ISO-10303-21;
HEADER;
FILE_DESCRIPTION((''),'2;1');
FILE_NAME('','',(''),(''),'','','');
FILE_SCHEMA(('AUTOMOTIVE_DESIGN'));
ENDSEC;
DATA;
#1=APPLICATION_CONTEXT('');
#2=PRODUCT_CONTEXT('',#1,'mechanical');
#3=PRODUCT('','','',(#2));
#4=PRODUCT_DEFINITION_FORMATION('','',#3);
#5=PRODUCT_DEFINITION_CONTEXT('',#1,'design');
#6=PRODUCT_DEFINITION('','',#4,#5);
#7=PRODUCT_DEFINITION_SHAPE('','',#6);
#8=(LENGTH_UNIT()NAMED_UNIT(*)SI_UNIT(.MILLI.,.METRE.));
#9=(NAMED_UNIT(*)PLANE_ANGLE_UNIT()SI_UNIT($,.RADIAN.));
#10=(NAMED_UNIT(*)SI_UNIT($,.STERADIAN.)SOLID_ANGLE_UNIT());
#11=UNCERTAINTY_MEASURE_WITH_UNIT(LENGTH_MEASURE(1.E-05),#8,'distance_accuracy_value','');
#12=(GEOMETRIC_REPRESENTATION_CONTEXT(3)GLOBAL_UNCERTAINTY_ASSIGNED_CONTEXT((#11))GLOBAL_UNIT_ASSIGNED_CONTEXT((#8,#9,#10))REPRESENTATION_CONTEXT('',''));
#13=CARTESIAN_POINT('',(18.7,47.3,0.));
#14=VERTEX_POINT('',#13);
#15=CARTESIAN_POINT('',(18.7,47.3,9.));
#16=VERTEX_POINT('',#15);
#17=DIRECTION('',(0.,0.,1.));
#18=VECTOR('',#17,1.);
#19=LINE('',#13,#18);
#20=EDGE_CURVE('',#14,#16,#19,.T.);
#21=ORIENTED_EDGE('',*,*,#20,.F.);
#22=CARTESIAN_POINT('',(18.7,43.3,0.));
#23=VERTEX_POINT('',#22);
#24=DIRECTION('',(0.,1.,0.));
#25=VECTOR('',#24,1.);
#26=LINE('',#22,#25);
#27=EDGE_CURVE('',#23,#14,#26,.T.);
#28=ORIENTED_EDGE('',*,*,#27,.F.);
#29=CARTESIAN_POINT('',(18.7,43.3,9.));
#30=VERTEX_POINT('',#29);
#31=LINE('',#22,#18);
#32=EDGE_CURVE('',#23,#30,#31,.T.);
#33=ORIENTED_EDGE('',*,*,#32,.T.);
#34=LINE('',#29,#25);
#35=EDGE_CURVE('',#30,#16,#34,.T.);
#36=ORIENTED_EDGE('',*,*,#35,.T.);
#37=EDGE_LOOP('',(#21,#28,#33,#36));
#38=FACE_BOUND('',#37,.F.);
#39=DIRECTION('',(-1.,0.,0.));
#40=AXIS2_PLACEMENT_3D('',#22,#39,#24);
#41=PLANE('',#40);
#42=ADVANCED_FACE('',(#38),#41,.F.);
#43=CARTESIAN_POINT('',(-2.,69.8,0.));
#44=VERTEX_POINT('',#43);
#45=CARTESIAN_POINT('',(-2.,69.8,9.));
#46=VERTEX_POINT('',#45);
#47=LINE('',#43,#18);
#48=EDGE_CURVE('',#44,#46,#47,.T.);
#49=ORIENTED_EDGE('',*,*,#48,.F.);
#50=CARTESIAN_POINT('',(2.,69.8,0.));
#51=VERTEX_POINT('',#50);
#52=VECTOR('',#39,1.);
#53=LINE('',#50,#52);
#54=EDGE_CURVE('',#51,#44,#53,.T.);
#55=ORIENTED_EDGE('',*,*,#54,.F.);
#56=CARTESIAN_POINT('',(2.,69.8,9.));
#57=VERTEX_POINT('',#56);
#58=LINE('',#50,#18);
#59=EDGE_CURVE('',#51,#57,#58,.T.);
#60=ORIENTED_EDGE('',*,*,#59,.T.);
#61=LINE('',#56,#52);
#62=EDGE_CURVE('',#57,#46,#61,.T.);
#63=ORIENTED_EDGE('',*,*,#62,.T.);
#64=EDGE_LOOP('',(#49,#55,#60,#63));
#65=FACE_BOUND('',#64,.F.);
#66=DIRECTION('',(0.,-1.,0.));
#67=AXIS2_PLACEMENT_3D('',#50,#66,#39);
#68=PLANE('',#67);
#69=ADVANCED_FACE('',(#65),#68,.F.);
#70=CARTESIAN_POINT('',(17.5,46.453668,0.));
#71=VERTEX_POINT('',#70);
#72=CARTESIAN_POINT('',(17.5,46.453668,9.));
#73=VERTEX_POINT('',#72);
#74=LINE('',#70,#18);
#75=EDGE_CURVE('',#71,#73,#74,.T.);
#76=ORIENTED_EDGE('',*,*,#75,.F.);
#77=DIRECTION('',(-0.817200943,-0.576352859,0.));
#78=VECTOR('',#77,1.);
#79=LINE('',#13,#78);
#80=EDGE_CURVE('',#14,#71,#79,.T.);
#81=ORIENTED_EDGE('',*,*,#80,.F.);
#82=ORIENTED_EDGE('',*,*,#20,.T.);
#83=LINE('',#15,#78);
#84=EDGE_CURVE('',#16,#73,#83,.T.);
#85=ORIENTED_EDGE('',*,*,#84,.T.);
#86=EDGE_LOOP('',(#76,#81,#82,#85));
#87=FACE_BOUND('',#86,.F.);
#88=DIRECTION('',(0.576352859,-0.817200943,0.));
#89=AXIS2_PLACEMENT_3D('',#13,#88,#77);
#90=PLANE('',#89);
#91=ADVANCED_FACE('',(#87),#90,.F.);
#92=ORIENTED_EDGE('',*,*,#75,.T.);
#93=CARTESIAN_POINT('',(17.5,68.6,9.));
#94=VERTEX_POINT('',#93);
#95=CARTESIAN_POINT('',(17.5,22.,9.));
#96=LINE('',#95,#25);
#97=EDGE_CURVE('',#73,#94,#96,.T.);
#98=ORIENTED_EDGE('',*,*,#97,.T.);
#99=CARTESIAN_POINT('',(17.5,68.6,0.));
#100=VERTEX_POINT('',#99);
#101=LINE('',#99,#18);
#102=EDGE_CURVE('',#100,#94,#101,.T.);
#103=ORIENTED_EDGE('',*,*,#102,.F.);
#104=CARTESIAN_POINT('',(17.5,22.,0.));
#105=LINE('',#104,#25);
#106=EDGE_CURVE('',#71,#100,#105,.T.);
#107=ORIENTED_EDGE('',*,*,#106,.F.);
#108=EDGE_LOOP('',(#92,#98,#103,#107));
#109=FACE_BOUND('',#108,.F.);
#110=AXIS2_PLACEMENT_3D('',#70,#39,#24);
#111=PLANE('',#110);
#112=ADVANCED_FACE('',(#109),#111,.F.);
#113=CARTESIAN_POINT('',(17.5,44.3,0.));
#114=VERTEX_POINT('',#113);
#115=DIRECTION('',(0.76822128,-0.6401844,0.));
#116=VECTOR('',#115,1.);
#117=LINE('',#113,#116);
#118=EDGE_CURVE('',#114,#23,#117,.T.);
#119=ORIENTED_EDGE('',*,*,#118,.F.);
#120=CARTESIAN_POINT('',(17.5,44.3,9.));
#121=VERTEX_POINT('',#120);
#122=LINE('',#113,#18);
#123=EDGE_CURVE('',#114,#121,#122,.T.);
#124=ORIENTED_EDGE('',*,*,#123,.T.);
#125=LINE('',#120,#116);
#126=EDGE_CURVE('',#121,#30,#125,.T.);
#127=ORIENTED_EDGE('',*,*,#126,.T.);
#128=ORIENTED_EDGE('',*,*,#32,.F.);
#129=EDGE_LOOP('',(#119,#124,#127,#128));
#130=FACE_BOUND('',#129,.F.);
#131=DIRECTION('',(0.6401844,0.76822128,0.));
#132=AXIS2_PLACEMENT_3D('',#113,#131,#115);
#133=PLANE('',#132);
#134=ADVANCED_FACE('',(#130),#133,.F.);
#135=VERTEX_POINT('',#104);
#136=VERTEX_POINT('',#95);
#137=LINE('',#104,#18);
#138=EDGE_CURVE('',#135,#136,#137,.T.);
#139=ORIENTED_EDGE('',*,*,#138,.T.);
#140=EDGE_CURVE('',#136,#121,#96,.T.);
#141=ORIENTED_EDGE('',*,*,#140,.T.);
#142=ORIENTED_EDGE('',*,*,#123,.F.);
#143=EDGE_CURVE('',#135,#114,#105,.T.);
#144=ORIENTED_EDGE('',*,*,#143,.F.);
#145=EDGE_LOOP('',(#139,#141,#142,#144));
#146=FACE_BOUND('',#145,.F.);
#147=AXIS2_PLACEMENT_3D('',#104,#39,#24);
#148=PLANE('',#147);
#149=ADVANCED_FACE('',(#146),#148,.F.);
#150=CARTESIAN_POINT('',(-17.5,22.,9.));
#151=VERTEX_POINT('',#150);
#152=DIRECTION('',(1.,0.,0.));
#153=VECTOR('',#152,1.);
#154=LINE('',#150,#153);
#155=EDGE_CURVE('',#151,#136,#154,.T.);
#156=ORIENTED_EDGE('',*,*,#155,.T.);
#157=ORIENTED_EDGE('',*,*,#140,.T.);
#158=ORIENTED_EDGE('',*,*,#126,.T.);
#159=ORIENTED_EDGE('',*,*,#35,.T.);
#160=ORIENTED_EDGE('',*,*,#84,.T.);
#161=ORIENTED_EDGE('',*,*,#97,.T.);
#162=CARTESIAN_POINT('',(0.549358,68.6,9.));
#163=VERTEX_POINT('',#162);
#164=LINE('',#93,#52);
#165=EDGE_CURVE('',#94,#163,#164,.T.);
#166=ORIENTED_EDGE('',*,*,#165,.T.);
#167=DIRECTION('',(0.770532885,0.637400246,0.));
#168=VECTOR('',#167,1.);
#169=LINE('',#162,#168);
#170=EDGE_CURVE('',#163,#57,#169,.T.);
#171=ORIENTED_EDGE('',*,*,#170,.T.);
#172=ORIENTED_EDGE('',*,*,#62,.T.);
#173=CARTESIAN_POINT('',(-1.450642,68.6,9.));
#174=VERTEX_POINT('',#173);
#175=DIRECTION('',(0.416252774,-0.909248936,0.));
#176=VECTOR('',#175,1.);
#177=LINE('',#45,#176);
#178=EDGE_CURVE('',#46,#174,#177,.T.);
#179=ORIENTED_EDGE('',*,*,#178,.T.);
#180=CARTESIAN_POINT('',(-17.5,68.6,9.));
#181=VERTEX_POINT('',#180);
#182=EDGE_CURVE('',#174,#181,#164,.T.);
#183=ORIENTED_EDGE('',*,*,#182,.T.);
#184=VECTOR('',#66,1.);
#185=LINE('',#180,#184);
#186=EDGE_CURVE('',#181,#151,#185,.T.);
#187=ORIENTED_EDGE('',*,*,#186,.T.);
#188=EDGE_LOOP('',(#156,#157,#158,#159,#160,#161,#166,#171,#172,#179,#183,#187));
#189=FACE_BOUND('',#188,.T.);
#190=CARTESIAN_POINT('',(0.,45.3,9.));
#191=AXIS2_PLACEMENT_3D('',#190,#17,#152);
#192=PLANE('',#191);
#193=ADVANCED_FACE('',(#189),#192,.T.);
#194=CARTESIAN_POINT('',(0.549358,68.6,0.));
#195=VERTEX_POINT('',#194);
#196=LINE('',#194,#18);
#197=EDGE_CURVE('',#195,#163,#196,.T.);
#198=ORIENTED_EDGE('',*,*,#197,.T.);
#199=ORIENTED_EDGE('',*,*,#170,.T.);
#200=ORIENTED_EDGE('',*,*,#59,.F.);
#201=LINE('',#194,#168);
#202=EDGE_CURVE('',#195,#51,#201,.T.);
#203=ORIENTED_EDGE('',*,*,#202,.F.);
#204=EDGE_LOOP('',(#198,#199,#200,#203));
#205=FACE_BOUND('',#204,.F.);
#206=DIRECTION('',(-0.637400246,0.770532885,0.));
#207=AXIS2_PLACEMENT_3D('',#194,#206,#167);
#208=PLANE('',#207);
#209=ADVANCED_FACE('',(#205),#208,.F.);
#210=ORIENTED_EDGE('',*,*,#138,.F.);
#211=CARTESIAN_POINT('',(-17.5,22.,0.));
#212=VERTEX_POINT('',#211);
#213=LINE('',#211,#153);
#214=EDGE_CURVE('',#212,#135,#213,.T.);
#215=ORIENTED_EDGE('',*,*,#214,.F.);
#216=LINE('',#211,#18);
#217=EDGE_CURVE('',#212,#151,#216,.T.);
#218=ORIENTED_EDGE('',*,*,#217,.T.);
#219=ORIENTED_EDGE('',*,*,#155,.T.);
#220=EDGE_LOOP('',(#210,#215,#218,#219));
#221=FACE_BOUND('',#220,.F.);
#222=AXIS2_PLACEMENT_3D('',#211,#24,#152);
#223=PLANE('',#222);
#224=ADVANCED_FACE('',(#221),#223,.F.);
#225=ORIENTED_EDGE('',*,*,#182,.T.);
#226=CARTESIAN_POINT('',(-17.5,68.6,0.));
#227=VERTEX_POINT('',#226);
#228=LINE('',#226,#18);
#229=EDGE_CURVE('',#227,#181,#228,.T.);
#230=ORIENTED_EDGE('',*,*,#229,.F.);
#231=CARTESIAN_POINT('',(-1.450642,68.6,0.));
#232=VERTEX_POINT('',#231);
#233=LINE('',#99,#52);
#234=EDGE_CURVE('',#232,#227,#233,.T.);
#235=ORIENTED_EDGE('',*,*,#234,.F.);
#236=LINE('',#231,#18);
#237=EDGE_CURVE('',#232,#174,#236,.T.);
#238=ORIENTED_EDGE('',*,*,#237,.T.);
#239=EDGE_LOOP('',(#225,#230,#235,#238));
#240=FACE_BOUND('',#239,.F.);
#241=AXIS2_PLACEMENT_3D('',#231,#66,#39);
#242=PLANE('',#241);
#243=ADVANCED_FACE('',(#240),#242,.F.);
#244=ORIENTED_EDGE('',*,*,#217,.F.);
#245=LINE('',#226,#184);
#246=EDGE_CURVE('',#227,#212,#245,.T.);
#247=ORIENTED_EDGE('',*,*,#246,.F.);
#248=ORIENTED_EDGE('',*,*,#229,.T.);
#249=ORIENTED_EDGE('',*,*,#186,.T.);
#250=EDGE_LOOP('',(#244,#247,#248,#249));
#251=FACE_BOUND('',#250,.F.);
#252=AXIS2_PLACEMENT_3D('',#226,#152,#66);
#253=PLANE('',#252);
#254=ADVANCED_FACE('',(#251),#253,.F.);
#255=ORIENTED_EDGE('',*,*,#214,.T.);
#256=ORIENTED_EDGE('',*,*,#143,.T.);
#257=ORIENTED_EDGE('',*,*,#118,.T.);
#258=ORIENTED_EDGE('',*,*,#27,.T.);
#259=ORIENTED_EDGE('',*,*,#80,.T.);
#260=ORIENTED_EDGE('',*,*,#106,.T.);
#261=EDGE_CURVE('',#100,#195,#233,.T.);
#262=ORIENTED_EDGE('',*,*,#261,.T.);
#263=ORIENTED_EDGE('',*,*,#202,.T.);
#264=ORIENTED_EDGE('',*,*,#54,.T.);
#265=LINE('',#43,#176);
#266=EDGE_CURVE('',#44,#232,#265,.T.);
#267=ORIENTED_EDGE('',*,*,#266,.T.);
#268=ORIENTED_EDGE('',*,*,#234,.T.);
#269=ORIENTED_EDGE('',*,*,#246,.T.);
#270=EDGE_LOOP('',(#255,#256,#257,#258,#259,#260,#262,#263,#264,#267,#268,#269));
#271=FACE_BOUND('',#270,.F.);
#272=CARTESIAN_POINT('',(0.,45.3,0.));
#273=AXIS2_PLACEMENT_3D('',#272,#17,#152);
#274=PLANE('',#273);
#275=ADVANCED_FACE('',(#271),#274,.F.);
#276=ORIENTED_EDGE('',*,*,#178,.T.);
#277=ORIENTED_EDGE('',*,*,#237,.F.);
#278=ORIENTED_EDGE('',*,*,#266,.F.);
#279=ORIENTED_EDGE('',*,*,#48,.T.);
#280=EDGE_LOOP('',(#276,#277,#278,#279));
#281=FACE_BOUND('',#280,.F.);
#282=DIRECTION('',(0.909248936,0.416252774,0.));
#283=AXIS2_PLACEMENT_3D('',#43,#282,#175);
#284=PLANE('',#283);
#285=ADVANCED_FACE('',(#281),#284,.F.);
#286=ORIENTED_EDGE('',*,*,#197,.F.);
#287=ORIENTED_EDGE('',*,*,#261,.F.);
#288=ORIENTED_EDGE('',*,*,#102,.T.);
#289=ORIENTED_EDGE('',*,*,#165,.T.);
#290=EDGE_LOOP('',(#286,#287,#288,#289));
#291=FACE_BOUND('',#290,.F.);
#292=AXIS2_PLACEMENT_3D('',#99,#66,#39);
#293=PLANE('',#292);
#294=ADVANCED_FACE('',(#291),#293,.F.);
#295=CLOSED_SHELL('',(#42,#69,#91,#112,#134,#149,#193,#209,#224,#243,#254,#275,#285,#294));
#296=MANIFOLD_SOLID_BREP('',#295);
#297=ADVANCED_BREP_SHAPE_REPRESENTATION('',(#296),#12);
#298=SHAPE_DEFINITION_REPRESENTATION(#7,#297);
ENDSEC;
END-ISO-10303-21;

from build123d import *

# Parameters (mm, degrees)
F0_W      = 50
F0_H      = 30
F1_DEPTH  = 25
F3_DEPTH  = 50
F5_R      = 5
F6_T      = -2.5
F7_R      = 10.7930870798
F8_DEPTH  = 25
F10_DEPTH = 9
F11_W     = 42
F11_H     = 73.1670876886
F12_DEPTH = 22.5


with BuildPart() as f1:
    # F0 (on Top) → F1 (new body)
    with BuildSketch(Plane.XY):
        Rectangle(F0_W, F0_H)
    extrude(amount=F1_DEPTH)


with BuildPart() as f3:
    # F2 (on face) → F3 (new body, through all)
    with BuildSketch(Plane.YZ.offset(25)):
        Polygon((-15, 0), (-15, 25), (-33.741876483, 0), align=None)
    extrude(amount=-F3_DEPTH)


with BuildPart() as f1_1:
    add(f1.part)

    # F4: union F3
    add(f3.part)

    # F5
    f5_edges = [f1_1.edges().sort_by_distance(p)[0] for p in [
        (25, -24.370938, 12.5),
        (-25, -24.370938, 12.5),
        (0, -15, 25),
        (25, 0, 25),
        (-25, 0, 25),
    ]]
    fillet(f5_edges, radius=F5_R)

    # F6
    f6_openings = [f1_1.faces().sort_by_distance(p)[0] for p in [
        (0, -9.243814, 0),
    ]]
    offset(amount=F6_T, openings=f6_openings)

    # F7 (on face) → F8 (cut)
    with BuildSketch(Plane(origin=(0, -21.6015379391, 16.1941342359), x_dir=(1, 0, 0), z_dir=(0, -0.8001247794, 0.5998335914))):
        with Locations((0, -5.4950344037)):
            Circle(F7_R)
    extrude(amount=-F8_DEPTH, mode=Mode.SUBTRACT)


with BuildPart() as f10:
    # F9 (on Top) → F10 (new body)
    with BuildSketch(Plane.XY):
        Polygon((-17.5, 68.6), (-17.5, 22), (17.5, 22), (17.5, 44.3), (17.5, 46.4536678502), (17.5, 68.6), (0.5493581668, 68.6), (-1.4506418332, 68.6), align=None)
        Polygon((17.5, 46.4536678502), (17.5, 44.3), (18.7, 43.3), (18.7, 47.3), align=None)
        Polygon((-2, 69.8), (-1.4506418332, 68.6), (0.5493581668, 68.6), (2, 69.8), align=None)
    extrude(amount=F10_DEPTH)


with BuildPart() as f12:
    # F11 (on Top) → F12 (new body, through all)
    with BuildSketch(Plane.XY):
        with Locations((0, 36.5835438443)):
            Rectangle(F11_W, F11_H)
    extrude(amount=F12_DEPTH)


with BuildPart() as f1_2:
    add(f1_1.part)

    # F13: cut F12
    add(f12.part, mode=Mode.SUBTRACT)


with BuildPart() as f14_1:
    # F14: copy of F1
    add(f1_2.part)


solid = f10.part
